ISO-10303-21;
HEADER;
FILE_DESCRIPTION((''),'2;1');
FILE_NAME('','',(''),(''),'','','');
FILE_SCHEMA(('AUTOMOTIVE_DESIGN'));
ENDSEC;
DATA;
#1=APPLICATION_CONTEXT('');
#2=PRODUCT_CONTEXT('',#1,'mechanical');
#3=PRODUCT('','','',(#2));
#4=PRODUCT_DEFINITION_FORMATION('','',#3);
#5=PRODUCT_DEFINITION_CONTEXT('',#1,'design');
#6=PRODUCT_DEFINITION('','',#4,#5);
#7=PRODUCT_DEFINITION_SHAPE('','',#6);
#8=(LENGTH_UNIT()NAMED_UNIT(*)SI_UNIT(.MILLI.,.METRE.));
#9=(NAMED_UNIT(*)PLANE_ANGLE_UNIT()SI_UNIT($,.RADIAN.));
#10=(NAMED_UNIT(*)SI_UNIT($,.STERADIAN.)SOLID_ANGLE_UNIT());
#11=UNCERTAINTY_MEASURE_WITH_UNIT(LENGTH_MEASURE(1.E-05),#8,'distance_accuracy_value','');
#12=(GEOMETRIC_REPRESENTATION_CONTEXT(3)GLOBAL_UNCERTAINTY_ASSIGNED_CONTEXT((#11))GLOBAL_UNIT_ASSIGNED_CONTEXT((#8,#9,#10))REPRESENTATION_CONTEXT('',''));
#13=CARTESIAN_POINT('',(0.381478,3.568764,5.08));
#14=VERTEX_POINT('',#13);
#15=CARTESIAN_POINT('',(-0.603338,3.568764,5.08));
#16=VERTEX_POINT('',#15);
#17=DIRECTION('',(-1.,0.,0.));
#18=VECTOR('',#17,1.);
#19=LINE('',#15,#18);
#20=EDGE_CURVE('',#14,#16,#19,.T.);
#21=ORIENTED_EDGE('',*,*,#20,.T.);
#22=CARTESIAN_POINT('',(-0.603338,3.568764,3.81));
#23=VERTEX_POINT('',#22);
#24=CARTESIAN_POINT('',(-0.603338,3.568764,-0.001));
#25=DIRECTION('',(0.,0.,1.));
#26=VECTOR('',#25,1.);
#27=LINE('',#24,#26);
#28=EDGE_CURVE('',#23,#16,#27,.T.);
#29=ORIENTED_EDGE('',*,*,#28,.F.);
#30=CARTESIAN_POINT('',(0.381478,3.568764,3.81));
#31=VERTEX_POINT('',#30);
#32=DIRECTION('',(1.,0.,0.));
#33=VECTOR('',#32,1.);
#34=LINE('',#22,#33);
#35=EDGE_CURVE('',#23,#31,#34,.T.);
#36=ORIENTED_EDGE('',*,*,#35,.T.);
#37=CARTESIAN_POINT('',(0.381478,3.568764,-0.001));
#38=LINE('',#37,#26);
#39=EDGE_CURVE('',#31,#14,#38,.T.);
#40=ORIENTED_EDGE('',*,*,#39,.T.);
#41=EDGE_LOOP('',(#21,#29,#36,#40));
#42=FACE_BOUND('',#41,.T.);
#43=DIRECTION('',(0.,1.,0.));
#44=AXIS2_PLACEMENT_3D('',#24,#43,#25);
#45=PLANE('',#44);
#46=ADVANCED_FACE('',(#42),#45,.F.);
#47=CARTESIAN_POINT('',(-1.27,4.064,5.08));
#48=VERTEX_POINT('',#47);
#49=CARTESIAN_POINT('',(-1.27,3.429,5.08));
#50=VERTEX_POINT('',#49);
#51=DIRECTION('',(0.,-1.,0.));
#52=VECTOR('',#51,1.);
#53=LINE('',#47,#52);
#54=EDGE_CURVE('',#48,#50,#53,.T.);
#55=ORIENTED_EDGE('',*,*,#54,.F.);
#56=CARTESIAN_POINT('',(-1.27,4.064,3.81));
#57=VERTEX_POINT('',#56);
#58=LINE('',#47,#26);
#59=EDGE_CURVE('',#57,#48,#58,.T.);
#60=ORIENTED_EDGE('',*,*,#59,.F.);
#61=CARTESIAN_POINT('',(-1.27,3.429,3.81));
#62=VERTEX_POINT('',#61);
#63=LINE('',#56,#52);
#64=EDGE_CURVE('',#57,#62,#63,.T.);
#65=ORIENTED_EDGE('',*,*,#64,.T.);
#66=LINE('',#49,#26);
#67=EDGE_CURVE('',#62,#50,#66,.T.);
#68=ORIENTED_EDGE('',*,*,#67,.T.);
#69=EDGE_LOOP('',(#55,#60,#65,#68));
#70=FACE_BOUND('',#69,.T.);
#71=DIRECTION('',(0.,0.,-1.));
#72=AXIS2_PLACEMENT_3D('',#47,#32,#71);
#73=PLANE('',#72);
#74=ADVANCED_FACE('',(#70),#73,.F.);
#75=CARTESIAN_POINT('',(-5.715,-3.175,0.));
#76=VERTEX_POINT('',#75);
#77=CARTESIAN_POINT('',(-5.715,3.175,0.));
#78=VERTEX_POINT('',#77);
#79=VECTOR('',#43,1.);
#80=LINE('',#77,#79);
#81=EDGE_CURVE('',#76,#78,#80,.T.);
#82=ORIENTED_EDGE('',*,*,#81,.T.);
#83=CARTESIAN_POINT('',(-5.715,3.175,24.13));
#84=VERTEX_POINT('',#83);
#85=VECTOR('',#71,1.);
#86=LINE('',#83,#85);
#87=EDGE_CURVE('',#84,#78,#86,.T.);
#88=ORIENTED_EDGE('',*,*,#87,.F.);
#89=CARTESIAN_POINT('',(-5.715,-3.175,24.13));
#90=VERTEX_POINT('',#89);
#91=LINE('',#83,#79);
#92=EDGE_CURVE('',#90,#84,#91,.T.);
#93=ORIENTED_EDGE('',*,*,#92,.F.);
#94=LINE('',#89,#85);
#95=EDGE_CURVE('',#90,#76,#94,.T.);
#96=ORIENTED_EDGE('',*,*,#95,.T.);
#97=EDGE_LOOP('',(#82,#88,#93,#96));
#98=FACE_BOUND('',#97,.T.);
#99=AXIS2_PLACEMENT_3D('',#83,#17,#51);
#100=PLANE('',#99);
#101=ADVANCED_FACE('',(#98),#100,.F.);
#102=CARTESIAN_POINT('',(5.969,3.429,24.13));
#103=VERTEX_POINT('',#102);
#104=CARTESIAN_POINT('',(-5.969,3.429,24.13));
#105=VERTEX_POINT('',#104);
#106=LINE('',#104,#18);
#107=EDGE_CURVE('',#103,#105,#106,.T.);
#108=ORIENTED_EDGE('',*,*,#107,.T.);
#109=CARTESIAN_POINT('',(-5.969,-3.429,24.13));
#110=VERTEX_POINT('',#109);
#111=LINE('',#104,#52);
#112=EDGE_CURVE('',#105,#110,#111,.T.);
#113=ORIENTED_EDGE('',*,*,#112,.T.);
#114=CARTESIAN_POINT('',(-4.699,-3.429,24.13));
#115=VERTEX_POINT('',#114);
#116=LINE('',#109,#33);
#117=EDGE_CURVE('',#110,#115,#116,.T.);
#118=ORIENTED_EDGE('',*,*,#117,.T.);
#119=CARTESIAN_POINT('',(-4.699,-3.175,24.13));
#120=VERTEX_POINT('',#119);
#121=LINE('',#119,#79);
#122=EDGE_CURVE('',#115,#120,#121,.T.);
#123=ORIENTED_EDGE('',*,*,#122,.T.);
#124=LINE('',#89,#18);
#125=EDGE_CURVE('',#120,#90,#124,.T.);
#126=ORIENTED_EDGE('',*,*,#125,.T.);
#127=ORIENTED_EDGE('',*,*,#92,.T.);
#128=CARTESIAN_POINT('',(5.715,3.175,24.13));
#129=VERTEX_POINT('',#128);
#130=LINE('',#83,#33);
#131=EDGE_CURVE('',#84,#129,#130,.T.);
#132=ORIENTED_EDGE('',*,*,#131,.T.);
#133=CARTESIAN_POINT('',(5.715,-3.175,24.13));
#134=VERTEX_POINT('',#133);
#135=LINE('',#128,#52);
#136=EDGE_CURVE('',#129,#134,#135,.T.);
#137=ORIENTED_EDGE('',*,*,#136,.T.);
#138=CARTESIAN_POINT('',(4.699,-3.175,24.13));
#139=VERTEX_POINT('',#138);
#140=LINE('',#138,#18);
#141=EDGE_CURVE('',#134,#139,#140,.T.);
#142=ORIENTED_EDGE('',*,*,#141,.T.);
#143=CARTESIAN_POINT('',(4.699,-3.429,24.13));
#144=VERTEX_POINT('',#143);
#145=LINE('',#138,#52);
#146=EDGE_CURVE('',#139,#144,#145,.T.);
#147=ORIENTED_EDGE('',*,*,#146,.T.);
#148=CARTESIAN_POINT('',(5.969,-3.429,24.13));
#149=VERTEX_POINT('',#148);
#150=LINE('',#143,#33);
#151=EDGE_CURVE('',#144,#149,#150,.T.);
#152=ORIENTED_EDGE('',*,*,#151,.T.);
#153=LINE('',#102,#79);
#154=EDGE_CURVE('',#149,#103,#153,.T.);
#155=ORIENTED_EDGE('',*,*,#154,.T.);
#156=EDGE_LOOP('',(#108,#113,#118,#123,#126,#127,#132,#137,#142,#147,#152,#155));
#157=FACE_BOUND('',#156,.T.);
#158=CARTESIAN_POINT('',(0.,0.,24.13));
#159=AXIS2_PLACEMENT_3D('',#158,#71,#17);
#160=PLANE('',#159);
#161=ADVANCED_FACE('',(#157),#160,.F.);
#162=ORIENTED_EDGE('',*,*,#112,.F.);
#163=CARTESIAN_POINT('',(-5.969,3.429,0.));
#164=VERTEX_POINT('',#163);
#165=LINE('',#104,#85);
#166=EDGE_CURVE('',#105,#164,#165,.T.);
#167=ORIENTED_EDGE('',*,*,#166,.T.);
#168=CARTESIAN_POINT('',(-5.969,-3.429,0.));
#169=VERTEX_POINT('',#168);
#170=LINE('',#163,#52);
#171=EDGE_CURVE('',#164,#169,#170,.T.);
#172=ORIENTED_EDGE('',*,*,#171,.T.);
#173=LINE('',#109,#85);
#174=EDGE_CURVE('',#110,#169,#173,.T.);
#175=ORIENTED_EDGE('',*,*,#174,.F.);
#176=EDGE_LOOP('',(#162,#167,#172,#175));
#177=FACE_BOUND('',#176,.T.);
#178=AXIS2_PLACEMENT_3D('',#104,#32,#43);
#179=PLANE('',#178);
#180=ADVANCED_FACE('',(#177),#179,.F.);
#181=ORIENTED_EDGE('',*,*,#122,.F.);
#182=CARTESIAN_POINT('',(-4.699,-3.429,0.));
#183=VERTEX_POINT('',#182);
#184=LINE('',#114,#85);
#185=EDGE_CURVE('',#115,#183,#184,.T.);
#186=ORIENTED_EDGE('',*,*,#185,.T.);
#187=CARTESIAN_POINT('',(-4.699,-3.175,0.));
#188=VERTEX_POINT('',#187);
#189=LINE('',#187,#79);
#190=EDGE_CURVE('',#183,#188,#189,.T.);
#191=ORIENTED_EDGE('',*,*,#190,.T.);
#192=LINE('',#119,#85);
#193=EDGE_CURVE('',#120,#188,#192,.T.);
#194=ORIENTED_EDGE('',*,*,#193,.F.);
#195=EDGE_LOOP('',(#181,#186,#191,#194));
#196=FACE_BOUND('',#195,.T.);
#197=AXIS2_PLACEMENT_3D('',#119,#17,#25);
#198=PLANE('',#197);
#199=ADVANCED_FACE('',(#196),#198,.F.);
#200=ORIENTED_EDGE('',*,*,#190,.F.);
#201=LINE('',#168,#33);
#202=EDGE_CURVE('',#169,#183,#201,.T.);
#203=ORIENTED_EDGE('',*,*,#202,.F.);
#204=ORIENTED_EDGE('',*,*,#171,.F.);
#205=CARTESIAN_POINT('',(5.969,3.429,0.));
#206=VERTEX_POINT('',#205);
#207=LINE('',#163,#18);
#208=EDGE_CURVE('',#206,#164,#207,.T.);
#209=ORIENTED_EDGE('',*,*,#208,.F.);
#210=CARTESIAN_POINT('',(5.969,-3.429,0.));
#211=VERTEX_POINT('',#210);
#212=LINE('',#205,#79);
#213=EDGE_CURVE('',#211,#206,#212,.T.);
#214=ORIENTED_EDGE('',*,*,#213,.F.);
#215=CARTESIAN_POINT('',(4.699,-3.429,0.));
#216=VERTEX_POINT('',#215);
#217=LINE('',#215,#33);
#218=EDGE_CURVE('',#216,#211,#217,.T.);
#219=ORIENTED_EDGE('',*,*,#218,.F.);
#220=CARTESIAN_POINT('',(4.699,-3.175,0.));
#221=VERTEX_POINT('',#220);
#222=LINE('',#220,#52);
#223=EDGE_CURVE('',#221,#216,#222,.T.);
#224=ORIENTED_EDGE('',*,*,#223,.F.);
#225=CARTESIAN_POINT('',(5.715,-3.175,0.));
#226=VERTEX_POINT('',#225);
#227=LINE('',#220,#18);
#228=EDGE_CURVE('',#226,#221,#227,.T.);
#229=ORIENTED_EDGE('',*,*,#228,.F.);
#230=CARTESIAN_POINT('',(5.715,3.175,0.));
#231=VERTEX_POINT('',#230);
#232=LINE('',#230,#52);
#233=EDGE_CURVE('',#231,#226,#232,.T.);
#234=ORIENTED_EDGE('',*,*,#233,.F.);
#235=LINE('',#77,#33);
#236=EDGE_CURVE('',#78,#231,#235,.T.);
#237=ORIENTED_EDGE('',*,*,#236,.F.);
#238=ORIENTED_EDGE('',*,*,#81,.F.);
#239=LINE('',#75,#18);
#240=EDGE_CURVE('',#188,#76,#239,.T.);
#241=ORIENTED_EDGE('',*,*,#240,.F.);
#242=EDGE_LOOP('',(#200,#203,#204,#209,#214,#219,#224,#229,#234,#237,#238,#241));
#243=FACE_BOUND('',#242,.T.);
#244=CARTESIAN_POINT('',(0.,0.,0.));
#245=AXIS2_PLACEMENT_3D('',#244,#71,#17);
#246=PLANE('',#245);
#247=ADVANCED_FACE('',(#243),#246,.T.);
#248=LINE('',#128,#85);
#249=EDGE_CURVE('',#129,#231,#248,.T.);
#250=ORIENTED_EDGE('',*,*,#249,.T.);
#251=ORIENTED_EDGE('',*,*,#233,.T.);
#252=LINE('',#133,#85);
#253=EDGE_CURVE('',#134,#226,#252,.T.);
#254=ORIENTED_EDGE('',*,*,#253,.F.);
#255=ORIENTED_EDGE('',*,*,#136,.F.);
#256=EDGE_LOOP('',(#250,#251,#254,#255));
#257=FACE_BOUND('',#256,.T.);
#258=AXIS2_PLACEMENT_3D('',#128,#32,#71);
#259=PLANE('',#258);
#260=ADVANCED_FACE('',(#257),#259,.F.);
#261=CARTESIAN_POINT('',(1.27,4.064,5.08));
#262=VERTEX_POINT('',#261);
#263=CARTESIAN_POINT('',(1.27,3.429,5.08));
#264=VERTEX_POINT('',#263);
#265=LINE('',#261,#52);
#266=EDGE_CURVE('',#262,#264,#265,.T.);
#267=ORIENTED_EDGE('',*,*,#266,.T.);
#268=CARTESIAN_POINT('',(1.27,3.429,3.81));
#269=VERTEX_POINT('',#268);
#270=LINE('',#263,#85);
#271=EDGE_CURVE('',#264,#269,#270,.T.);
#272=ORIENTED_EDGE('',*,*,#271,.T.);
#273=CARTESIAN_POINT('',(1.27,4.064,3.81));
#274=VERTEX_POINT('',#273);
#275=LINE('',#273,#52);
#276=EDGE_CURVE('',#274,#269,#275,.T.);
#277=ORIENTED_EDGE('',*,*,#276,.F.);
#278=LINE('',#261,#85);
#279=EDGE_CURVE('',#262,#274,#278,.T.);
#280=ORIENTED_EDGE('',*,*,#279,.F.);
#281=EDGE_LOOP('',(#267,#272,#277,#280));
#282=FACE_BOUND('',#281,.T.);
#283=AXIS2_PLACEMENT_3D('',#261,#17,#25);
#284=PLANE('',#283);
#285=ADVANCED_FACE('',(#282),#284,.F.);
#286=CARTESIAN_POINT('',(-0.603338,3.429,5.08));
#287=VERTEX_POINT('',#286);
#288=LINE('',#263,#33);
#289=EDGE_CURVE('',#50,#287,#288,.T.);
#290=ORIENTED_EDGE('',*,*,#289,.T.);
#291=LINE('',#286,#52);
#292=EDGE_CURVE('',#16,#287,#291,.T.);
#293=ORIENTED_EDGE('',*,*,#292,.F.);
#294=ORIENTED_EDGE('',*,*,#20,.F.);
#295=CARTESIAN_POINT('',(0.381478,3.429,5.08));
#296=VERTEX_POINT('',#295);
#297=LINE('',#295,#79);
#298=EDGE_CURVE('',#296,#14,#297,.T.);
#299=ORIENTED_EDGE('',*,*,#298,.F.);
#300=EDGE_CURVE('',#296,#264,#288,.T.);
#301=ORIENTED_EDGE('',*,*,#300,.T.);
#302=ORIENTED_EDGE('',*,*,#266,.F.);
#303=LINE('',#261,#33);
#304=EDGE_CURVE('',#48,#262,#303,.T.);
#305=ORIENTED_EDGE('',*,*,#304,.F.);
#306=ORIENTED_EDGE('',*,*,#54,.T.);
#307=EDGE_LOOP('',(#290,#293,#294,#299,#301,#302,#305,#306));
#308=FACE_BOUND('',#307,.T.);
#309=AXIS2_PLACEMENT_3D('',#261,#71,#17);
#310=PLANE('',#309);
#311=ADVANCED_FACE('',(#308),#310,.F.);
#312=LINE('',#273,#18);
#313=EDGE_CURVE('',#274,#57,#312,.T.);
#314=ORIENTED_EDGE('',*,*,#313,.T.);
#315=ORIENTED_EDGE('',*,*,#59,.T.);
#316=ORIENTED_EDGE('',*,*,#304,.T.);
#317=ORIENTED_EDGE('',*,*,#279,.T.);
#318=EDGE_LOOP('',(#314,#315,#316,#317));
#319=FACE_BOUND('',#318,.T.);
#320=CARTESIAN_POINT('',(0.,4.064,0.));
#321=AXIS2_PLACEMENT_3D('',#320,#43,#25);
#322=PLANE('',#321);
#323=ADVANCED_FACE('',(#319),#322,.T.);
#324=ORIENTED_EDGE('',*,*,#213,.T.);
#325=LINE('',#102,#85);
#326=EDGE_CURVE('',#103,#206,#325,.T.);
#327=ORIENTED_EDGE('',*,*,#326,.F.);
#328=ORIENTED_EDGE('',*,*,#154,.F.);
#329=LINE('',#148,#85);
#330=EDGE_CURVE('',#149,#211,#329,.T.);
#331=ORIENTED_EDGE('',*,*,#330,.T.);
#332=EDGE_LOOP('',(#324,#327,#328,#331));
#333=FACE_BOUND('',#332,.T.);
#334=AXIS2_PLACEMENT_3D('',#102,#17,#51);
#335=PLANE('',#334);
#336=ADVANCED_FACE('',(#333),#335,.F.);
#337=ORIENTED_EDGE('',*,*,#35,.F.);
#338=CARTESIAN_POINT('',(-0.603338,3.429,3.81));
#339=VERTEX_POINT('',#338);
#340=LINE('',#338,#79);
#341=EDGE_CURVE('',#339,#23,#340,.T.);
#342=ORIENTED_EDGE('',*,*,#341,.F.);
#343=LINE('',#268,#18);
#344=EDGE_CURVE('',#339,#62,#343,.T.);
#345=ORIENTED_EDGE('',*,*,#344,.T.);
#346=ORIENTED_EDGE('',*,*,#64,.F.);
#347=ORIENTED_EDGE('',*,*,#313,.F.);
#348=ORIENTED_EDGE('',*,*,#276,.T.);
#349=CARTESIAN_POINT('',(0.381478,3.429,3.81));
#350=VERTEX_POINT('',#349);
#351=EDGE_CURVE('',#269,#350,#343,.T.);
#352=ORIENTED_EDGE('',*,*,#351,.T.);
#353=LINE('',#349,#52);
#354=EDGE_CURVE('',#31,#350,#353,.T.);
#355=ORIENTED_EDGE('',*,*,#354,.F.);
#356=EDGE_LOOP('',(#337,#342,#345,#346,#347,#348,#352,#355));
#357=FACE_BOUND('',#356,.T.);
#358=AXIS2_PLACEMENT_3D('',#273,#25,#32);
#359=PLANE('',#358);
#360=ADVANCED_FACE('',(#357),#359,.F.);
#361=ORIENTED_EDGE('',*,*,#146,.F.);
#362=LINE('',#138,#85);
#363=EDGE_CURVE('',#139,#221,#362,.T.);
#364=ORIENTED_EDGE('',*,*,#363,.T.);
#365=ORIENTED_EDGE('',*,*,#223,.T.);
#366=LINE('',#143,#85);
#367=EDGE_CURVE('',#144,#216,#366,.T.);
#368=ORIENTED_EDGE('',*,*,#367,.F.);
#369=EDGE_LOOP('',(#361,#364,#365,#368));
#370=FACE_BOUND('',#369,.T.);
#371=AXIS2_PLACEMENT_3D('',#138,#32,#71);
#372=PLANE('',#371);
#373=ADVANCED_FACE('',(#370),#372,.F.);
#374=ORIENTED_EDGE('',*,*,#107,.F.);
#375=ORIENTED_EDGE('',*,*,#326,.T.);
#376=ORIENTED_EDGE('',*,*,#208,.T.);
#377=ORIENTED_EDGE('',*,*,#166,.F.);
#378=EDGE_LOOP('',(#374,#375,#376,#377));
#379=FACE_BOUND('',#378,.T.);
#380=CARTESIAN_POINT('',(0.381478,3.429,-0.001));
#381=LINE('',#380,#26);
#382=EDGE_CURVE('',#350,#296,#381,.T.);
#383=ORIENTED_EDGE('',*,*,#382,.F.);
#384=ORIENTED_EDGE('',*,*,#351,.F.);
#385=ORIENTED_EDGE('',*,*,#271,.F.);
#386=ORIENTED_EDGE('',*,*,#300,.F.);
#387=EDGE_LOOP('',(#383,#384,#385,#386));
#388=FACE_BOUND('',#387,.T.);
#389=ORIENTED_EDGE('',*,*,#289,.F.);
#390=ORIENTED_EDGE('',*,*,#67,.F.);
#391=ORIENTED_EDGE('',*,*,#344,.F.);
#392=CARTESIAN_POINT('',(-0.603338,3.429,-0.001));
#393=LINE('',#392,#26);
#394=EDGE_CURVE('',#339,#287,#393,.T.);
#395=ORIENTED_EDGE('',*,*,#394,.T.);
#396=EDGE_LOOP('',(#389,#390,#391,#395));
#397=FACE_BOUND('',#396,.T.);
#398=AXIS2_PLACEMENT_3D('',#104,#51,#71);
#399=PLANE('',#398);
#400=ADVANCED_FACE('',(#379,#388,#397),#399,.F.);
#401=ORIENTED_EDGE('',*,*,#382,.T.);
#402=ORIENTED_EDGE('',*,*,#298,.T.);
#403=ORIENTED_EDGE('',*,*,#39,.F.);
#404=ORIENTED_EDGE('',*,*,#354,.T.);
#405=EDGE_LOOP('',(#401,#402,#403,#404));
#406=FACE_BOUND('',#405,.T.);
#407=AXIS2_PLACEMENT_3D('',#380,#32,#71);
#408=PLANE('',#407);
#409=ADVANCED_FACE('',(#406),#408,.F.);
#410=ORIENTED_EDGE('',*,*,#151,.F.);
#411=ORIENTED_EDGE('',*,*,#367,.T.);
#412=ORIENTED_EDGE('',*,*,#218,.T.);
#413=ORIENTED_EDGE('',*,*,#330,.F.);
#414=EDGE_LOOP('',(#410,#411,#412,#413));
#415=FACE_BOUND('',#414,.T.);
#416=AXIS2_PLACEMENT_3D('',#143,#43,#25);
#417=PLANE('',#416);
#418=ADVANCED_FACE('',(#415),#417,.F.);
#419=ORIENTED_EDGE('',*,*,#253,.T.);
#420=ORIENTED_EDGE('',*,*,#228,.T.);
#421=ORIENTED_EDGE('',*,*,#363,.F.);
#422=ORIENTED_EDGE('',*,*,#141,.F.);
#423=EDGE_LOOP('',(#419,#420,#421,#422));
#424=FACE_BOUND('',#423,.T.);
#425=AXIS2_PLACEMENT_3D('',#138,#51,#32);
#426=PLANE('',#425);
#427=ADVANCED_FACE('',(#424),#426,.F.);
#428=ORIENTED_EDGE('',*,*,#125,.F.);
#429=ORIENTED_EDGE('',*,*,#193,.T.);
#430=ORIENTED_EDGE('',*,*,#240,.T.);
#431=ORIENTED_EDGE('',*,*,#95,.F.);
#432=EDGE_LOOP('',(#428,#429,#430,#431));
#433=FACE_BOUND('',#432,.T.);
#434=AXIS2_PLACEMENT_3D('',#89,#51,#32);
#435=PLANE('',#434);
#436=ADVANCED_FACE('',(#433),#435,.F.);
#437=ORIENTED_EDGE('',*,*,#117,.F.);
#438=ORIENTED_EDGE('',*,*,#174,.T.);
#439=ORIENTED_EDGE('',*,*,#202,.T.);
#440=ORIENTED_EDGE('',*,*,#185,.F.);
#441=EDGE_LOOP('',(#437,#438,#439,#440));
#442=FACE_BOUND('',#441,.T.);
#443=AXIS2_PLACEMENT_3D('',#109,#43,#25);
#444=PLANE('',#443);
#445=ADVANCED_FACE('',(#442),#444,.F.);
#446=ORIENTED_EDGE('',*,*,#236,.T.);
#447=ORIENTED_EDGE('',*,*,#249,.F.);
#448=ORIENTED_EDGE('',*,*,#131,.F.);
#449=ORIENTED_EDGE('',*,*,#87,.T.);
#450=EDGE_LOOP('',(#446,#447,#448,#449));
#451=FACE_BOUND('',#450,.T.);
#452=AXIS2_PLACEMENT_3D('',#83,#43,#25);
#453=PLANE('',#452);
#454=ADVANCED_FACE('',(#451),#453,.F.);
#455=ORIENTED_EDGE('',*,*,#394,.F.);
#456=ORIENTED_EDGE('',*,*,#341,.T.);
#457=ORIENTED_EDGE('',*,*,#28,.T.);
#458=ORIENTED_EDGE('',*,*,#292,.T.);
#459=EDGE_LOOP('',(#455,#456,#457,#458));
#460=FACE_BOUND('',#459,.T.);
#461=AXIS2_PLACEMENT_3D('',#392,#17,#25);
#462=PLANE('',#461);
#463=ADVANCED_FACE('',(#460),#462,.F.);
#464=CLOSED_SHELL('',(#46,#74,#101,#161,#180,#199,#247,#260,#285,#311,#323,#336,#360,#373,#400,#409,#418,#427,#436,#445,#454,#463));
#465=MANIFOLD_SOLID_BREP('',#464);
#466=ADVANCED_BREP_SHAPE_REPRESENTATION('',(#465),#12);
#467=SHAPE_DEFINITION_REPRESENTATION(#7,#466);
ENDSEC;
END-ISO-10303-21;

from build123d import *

# Parameters (mm, degrees)
BOSS_EXTRUDE1_DEPTH = 24.13
SKETCH2_W           = 2.54
SKETCH2_H           = 1.27
BOSS_EXTRUDE2_DEPTH = 0.635
CUT_EXTRUDE1_REACH  = 22.373
SKETCH3_W           = 0.984815379
SKETCH3_H           = 0.139763968


with BuildPart() as part:
    # Sketch1 → Boss-Extrude1 (new body)
    with BuildSketch(Plane.XY):
        Polygon((-5.715, 3.175), (-5.715, -3.175), (-4.699, -3.175), (-4.699, -3.429), (-5.969, -3.429), (-5.969, 3.429), (5.969, 3.429), (5.969, -3.429), (4.699, -3.429), (4.699, -3.175), (5.715, -3.175), (5.715, 3.175), align=None)
    extrude(amount=BOSS_EXTRUDE1_DEPTH)

    # Sketch2 → Boss-Extrude2 (add)
    with BuildSketch(Plane(origin=(0, 3.429, 0), x_dir=(1, 0, 0), z_dir=(0, 1, 0))):
        with Locations((0, -4.445)):
            Rectangle(SKETCH2_W, SKETCH2_H)
    extrude(amount=BOSS_EXTRUDE2_DEPTH)

    # Sketch3 → Cut-Extrude1 (cut, up to next)
    with BuildSketch(Plane.XY.offset(5.08), mode=Mode.PRIVATE) as cut_extrude1_sk1:
        with Locations((-0.110929993, 3.498881984)):
            Rectangle(SKETCH3_W, SKETCH3_H)
    cut_extrude1_tool1 = extrude(cut_extrude1_sk1.sketch, amount=-CUT_EXTRUDE1_REACH, mode=Mode.PRIVATE) & part.part
    add(cut_extrude1_tool1.solids().sort_by_distance((-0.11093, 3.498882, 5.08))[0], mode=Mode.SUBTRACT)


solid = part.part
